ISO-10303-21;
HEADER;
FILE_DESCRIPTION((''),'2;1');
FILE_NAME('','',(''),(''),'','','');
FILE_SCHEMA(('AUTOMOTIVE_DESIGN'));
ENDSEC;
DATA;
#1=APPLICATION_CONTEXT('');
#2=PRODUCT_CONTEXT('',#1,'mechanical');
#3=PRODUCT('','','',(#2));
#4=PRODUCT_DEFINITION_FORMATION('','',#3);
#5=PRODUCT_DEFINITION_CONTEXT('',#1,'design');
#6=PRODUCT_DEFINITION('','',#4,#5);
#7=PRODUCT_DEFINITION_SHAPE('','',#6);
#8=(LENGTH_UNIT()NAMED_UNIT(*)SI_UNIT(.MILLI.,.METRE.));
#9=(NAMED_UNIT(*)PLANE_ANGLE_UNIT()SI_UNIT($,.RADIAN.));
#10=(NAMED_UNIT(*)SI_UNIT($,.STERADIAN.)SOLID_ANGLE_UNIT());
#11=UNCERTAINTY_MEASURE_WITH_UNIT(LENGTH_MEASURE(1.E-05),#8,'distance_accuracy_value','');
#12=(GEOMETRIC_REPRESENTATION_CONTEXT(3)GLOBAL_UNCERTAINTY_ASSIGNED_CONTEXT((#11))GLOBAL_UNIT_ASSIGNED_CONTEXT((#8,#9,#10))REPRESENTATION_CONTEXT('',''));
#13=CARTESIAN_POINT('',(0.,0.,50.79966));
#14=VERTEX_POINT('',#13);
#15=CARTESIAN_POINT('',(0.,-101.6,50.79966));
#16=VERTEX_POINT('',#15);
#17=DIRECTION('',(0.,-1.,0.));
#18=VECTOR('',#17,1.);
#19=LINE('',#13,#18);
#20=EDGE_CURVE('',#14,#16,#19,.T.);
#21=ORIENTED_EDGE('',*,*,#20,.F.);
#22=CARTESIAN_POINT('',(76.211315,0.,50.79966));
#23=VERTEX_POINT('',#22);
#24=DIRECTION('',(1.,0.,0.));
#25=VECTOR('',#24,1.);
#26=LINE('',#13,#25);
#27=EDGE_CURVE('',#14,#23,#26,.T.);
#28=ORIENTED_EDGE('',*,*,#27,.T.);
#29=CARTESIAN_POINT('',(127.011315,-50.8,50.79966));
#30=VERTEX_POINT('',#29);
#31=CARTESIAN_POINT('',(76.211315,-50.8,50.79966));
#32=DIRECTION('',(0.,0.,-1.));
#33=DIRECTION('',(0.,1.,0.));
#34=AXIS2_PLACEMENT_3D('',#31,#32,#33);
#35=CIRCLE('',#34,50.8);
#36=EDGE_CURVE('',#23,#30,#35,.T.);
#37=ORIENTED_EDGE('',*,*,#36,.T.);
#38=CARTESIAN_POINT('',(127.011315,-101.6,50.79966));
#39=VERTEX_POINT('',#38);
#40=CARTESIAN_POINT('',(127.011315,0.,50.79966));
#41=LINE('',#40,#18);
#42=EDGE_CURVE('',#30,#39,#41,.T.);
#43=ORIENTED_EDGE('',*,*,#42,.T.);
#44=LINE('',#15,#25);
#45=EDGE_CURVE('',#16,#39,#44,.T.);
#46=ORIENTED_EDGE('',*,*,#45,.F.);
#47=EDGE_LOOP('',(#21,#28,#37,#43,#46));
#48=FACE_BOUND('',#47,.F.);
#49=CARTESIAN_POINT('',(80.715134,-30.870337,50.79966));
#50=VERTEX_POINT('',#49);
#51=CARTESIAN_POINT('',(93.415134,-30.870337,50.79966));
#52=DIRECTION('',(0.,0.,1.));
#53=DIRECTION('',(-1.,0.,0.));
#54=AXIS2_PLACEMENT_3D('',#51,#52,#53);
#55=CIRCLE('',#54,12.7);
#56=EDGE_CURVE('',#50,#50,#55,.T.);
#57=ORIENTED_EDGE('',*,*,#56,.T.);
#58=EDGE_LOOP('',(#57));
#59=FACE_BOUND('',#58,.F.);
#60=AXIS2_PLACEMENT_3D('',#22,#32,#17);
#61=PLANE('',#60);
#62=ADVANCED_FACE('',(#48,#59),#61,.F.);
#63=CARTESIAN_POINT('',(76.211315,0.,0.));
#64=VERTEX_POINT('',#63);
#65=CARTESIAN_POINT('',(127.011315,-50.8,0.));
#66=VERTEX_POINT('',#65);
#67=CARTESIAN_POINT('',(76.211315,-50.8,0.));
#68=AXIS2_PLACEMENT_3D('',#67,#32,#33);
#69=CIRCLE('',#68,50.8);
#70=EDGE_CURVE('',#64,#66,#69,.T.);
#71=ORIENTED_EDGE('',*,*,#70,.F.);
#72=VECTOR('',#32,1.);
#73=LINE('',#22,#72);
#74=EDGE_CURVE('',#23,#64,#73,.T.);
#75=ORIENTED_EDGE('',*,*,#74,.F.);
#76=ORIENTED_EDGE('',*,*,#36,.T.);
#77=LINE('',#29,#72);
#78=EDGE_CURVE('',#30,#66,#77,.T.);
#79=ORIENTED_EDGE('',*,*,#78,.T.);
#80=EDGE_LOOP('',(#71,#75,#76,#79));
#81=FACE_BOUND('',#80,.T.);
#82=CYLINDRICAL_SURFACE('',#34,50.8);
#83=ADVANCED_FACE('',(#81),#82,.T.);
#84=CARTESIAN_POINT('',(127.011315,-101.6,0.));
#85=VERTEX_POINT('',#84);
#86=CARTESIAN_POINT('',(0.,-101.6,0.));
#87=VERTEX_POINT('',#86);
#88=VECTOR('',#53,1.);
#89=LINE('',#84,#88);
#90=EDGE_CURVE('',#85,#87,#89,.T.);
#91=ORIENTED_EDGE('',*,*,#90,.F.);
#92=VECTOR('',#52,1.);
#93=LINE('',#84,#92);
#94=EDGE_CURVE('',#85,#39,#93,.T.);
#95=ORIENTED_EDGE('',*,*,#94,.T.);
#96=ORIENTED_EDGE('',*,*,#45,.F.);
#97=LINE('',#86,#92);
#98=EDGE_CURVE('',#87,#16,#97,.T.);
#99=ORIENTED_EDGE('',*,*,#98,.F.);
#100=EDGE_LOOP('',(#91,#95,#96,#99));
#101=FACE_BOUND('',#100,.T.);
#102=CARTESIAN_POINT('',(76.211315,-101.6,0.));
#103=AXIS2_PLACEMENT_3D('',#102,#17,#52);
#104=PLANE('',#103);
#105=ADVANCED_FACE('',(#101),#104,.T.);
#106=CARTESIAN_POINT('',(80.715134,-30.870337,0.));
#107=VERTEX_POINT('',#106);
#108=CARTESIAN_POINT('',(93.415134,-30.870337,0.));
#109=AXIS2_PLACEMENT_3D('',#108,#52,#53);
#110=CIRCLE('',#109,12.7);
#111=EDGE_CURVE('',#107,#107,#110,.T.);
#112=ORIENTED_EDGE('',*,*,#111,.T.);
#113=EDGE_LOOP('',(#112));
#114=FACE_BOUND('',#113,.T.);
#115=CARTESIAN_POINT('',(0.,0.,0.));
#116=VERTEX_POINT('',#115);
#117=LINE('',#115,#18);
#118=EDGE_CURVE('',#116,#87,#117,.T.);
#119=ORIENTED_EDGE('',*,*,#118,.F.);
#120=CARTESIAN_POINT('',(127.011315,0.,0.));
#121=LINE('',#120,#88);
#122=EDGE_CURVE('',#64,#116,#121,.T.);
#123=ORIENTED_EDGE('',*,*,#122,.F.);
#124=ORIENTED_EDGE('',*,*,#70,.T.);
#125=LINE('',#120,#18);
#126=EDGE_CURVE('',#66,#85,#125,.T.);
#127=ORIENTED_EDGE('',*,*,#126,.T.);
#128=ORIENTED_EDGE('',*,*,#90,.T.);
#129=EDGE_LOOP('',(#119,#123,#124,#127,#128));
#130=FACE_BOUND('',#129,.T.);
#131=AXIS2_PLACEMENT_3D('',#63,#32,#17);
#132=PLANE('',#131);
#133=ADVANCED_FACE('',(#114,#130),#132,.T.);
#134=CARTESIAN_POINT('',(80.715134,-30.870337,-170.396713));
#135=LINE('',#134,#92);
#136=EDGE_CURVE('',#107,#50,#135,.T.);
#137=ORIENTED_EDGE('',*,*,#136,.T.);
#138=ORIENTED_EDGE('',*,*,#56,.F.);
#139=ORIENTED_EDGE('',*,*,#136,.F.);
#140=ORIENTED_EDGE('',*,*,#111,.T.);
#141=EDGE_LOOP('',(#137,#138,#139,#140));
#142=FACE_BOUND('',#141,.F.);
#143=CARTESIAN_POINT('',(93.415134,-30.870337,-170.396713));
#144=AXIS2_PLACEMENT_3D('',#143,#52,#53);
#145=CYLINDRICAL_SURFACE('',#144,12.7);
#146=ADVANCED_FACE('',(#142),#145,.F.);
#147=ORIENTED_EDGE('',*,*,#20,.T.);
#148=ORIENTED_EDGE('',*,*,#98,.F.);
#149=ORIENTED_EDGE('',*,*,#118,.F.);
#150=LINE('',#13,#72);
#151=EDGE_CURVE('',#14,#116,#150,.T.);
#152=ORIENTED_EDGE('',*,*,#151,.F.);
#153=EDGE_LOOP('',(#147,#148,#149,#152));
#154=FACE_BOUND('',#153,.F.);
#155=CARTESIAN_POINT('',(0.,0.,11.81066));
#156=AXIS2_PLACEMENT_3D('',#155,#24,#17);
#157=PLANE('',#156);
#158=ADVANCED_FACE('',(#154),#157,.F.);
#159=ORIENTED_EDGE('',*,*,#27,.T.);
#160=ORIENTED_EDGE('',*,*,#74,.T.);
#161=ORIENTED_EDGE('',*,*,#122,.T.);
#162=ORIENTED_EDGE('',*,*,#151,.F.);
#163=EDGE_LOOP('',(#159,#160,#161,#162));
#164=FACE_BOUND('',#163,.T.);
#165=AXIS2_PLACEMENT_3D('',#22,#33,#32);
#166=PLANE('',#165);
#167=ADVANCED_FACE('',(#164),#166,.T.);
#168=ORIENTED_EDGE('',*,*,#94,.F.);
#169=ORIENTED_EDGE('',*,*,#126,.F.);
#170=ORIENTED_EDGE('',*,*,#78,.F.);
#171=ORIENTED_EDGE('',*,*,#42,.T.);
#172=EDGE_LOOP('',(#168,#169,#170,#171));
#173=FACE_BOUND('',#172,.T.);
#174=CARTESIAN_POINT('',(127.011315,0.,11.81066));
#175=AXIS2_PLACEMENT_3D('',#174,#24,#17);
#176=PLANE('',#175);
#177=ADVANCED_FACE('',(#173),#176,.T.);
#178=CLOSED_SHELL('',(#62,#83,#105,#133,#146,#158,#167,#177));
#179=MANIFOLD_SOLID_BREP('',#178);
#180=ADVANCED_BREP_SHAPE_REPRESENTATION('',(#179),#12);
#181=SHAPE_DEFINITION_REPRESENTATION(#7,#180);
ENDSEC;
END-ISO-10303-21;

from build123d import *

# Parameters (mm, degrees)
F0_W     = 77.6591151953
F0_H     = 11.8106603622
F1_DEPTH = 101.6
F2_DEPTH = 38.989
F3_DEPTH = 1.4478
F4_DEPTH = 50.8
F5_R     = 50.8
F7_D     = 25.4


with BuildPart() as f1:
    # F0 (on Front) → F1 (new body)
    with BuildSketch(Plane.XZ):
        with Locations((38.8295575976, 5.9053301811)):
            Rectangle(F0_W, F0_H)
    extrude(amount=F1_DEPTH)

    # F2 (add): a face of the model
    f2_faces = [f1.faces().sort_by_distance(p)[0] for p in [
        (38.8295575976, -50.8, 11.8106603622),
    ]]
    extrude(f2_faces, amount=F2_DEPTH)

    # F3 (cut): a face of the model
    f3_faces = [f1.faces().sort_by_distance(p)[0] for p in [
        (77.6591151953, -50.8, 25.3998301811),
    ]]
    extrude(f3_faces, amount=-F3_DEPTH, mode=Mode.SUBTRACT)

    # F4 (add): a face of the model
    f4_faces = [f1.faces().sort_by_distance(p)[0] for p in [
        (76.2113151953, -50.8, 25.3998301811),
    ]]
    extrude(f4_faces, amount=F4_DEPTH)

    # F5
    f5_edges = [f1.edges().sort_by_distance(p)[0] for p in [
        (127.011315, 0, 25.39983),
    ]]
    fillet(f5_edges, radius=F5_R)

    # F7 (through all)
    with Locations(Plane(origin=(0, 0, 0), x_dir=(1, 0, 0), z_dir=(0, 0, -1))):
        with Locations((93.4151336551, 30.8703370392)):
            Hole(F7_D / 2)


solid = f1.part
